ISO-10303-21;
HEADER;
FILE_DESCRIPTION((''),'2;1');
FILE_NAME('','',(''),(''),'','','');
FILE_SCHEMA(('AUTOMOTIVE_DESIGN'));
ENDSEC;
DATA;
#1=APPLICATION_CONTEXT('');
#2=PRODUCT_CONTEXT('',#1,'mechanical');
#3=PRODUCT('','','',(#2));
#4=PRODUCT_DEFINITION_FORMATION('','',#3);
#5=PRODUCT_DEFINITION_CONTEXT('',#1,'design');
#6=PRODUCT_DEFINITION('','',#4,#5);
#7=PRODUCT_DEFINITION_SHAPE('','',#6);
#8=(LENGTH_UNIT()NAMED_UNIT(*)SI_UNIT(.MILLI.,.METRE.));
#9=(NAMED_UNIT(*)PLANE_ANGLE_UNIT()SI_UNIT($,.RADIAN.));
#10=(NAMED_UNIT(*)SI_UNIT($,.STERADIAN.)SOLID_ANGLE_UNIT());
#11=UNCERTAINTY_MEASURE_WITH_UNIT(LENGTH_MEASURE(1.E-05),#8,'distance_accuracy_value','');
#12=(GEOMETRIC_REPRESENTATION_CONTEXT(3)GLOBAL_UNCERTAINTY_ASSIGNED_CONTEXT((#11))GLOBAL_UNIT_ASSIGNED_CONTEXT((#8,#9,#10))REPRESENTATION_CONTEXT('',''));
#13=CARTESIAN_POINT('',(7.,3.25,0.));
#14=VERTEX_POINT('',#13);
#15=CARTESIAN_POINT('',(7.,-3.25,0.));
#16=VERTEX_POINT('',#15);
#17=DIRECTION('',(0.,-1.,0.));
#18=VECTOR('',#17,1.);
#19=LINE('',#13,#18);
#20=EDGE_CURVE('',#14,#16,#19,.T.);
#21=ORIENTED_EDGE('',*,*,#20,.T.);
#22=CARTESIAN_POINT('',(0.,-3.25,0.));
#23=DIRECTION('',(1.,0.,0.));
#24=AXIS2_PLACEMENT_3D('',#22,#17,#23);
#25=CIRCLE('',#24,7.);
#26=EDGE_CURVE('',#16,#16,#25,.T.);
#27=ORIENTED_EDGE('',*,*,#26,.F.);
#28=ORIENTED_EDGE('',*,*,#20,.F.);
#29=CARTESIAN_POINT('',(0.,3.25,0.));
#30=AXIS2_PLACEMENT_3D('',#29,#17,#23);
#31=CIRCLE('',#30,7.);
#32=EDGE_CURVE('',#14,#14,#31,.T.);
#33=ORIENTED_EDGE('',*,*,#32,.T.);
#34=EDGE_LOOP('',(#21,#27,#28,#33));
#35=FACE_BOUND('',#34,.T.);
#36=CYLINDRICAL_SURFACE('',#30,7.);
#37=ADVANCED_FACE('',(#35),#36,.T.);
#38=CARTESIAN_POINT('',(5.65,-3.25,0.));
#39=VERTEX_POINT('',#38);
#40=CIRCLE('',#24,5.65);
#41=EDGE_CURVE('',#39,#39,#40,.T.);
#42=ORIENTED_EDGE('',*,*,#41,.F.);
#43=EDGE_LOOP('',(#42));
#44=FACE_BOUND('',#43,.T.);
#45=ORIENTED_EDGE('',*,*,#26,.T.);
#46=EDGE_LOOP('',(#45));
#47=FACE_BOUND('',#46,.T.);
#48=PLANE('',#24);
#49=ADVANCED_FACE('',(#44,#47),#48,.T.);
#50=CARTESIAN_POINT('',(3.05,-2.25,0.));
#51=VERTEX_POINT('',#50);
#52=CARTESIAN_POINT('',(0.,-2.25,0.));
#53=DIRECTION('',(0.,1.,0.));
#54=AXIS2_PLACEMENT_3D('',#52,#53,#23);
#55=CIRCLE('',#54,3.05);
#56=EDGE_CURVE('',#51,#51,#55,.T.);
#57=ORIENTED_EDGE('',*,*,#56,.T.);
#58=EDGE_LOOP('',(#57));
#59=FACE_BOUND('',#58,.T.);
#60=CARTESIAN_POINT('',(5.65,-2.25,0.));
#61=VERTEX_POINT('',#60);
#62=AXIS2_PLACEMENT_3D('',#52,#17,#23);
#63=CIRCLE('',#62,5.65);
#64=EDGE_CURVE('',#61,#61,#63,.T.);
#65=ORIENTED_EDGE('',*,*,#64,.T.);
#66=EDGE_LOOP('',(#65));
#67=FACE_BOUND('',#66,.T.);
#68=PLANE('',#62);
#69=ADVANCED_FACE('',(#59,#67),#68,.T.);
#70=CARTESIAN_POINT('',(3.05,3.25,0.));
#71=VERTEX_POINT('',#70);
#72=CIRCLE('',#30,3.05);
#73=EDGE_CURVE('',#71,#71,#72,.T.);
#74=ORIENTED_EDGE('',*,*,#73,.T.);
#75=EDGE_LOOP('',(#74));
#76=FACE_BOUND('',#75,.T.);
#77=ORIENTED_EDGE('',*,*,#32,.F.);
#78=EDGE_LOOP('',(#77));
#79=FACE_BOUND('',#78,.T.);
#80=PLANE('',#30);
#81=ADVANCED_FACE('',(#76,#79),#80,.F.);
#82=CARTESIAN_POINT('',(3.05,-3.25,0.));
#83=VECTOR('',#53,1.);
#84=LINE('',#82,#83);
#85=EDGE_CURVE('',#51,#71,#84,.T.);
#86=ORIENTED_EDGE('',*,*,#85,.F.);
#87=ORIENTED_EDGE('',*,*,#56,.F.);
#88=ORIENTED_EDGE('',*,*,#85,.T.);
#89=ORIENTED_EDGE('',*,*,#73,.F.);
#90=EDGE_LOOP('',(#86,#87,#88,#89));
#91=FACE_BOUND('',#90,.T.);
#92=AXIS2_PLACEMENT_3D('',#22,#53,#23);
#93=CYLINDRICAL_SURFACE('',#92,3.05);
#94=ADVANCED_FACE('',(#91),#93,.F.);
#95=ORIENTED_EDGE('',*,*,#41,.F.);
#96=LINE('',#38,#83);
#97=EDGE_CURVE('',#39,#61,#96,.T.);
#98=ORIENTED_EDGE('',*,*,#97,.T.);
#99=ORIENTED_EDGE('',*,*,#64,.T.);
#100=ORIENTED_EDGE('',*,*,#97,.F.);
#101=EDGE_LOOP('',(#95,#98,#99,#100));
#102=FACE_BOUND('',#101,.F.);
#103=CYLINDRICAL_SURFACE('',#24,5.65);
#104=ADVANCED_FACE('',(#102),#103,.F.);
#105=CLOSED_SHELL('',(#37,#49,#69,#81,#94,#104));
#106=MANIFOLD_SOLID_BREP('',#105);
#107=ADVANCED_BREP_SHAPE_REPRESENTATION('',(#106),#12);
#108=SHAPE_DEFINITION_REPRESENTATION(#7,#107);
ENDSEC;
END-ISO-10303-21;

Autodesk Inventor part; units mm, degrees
ref_plane "YZ Plane" through (0, 0, 0) normal (1, 0, 0) x (0, 1, 0)
ref_plane "XZ Plane" through (0, 0, 0) normal (0, 1, 0) x (-1, 0, 0)
ref_plane "XY Plane" through (0, 0, 0) normal (0, 0, 1) x (1, 0, 0)
sketch "スケッチ1" plane through (0, 0, 0) normal (0, 0, 1) x (1, 0, 0)
  line L0 (3.05, 3.25) -> (7, 3.25)
  line L1 (7, 3.25) -> (7, -3.25)
  line L2 (7, -3.25) -> (3.05, -3.25)
  line L3 (3.05, -3.25) -> (3.05, 3.25)
  line L4 (0, 12.2609) -> (0, -12.2609) construction
  point P0 (0, 0)
  point P1 (3.05, 0)
  point P2 (0, 0)
  dimension "d0" = 6.1
  dimension "d1" = 14
  dimension "d2" = 6.5
revolve "回転1" add sketch "スケッチ1" angle 360 about axis through (0, 12.2609, 0) along (0, -1, 0)
sketch "スケッチ2" plane through (0, -3.25, 0) normal (0, -1, 0) x (1, 0, 0)
  circle A0 centre (0, 0) radius 5.65
  dimension "d4" = 11.3
extrude "押し出し1" cut sketch "スケッチ2" against normal blind 1
properties part number "付け根_サブフレーム_6_2" material "アセタール樹脂、黒"
